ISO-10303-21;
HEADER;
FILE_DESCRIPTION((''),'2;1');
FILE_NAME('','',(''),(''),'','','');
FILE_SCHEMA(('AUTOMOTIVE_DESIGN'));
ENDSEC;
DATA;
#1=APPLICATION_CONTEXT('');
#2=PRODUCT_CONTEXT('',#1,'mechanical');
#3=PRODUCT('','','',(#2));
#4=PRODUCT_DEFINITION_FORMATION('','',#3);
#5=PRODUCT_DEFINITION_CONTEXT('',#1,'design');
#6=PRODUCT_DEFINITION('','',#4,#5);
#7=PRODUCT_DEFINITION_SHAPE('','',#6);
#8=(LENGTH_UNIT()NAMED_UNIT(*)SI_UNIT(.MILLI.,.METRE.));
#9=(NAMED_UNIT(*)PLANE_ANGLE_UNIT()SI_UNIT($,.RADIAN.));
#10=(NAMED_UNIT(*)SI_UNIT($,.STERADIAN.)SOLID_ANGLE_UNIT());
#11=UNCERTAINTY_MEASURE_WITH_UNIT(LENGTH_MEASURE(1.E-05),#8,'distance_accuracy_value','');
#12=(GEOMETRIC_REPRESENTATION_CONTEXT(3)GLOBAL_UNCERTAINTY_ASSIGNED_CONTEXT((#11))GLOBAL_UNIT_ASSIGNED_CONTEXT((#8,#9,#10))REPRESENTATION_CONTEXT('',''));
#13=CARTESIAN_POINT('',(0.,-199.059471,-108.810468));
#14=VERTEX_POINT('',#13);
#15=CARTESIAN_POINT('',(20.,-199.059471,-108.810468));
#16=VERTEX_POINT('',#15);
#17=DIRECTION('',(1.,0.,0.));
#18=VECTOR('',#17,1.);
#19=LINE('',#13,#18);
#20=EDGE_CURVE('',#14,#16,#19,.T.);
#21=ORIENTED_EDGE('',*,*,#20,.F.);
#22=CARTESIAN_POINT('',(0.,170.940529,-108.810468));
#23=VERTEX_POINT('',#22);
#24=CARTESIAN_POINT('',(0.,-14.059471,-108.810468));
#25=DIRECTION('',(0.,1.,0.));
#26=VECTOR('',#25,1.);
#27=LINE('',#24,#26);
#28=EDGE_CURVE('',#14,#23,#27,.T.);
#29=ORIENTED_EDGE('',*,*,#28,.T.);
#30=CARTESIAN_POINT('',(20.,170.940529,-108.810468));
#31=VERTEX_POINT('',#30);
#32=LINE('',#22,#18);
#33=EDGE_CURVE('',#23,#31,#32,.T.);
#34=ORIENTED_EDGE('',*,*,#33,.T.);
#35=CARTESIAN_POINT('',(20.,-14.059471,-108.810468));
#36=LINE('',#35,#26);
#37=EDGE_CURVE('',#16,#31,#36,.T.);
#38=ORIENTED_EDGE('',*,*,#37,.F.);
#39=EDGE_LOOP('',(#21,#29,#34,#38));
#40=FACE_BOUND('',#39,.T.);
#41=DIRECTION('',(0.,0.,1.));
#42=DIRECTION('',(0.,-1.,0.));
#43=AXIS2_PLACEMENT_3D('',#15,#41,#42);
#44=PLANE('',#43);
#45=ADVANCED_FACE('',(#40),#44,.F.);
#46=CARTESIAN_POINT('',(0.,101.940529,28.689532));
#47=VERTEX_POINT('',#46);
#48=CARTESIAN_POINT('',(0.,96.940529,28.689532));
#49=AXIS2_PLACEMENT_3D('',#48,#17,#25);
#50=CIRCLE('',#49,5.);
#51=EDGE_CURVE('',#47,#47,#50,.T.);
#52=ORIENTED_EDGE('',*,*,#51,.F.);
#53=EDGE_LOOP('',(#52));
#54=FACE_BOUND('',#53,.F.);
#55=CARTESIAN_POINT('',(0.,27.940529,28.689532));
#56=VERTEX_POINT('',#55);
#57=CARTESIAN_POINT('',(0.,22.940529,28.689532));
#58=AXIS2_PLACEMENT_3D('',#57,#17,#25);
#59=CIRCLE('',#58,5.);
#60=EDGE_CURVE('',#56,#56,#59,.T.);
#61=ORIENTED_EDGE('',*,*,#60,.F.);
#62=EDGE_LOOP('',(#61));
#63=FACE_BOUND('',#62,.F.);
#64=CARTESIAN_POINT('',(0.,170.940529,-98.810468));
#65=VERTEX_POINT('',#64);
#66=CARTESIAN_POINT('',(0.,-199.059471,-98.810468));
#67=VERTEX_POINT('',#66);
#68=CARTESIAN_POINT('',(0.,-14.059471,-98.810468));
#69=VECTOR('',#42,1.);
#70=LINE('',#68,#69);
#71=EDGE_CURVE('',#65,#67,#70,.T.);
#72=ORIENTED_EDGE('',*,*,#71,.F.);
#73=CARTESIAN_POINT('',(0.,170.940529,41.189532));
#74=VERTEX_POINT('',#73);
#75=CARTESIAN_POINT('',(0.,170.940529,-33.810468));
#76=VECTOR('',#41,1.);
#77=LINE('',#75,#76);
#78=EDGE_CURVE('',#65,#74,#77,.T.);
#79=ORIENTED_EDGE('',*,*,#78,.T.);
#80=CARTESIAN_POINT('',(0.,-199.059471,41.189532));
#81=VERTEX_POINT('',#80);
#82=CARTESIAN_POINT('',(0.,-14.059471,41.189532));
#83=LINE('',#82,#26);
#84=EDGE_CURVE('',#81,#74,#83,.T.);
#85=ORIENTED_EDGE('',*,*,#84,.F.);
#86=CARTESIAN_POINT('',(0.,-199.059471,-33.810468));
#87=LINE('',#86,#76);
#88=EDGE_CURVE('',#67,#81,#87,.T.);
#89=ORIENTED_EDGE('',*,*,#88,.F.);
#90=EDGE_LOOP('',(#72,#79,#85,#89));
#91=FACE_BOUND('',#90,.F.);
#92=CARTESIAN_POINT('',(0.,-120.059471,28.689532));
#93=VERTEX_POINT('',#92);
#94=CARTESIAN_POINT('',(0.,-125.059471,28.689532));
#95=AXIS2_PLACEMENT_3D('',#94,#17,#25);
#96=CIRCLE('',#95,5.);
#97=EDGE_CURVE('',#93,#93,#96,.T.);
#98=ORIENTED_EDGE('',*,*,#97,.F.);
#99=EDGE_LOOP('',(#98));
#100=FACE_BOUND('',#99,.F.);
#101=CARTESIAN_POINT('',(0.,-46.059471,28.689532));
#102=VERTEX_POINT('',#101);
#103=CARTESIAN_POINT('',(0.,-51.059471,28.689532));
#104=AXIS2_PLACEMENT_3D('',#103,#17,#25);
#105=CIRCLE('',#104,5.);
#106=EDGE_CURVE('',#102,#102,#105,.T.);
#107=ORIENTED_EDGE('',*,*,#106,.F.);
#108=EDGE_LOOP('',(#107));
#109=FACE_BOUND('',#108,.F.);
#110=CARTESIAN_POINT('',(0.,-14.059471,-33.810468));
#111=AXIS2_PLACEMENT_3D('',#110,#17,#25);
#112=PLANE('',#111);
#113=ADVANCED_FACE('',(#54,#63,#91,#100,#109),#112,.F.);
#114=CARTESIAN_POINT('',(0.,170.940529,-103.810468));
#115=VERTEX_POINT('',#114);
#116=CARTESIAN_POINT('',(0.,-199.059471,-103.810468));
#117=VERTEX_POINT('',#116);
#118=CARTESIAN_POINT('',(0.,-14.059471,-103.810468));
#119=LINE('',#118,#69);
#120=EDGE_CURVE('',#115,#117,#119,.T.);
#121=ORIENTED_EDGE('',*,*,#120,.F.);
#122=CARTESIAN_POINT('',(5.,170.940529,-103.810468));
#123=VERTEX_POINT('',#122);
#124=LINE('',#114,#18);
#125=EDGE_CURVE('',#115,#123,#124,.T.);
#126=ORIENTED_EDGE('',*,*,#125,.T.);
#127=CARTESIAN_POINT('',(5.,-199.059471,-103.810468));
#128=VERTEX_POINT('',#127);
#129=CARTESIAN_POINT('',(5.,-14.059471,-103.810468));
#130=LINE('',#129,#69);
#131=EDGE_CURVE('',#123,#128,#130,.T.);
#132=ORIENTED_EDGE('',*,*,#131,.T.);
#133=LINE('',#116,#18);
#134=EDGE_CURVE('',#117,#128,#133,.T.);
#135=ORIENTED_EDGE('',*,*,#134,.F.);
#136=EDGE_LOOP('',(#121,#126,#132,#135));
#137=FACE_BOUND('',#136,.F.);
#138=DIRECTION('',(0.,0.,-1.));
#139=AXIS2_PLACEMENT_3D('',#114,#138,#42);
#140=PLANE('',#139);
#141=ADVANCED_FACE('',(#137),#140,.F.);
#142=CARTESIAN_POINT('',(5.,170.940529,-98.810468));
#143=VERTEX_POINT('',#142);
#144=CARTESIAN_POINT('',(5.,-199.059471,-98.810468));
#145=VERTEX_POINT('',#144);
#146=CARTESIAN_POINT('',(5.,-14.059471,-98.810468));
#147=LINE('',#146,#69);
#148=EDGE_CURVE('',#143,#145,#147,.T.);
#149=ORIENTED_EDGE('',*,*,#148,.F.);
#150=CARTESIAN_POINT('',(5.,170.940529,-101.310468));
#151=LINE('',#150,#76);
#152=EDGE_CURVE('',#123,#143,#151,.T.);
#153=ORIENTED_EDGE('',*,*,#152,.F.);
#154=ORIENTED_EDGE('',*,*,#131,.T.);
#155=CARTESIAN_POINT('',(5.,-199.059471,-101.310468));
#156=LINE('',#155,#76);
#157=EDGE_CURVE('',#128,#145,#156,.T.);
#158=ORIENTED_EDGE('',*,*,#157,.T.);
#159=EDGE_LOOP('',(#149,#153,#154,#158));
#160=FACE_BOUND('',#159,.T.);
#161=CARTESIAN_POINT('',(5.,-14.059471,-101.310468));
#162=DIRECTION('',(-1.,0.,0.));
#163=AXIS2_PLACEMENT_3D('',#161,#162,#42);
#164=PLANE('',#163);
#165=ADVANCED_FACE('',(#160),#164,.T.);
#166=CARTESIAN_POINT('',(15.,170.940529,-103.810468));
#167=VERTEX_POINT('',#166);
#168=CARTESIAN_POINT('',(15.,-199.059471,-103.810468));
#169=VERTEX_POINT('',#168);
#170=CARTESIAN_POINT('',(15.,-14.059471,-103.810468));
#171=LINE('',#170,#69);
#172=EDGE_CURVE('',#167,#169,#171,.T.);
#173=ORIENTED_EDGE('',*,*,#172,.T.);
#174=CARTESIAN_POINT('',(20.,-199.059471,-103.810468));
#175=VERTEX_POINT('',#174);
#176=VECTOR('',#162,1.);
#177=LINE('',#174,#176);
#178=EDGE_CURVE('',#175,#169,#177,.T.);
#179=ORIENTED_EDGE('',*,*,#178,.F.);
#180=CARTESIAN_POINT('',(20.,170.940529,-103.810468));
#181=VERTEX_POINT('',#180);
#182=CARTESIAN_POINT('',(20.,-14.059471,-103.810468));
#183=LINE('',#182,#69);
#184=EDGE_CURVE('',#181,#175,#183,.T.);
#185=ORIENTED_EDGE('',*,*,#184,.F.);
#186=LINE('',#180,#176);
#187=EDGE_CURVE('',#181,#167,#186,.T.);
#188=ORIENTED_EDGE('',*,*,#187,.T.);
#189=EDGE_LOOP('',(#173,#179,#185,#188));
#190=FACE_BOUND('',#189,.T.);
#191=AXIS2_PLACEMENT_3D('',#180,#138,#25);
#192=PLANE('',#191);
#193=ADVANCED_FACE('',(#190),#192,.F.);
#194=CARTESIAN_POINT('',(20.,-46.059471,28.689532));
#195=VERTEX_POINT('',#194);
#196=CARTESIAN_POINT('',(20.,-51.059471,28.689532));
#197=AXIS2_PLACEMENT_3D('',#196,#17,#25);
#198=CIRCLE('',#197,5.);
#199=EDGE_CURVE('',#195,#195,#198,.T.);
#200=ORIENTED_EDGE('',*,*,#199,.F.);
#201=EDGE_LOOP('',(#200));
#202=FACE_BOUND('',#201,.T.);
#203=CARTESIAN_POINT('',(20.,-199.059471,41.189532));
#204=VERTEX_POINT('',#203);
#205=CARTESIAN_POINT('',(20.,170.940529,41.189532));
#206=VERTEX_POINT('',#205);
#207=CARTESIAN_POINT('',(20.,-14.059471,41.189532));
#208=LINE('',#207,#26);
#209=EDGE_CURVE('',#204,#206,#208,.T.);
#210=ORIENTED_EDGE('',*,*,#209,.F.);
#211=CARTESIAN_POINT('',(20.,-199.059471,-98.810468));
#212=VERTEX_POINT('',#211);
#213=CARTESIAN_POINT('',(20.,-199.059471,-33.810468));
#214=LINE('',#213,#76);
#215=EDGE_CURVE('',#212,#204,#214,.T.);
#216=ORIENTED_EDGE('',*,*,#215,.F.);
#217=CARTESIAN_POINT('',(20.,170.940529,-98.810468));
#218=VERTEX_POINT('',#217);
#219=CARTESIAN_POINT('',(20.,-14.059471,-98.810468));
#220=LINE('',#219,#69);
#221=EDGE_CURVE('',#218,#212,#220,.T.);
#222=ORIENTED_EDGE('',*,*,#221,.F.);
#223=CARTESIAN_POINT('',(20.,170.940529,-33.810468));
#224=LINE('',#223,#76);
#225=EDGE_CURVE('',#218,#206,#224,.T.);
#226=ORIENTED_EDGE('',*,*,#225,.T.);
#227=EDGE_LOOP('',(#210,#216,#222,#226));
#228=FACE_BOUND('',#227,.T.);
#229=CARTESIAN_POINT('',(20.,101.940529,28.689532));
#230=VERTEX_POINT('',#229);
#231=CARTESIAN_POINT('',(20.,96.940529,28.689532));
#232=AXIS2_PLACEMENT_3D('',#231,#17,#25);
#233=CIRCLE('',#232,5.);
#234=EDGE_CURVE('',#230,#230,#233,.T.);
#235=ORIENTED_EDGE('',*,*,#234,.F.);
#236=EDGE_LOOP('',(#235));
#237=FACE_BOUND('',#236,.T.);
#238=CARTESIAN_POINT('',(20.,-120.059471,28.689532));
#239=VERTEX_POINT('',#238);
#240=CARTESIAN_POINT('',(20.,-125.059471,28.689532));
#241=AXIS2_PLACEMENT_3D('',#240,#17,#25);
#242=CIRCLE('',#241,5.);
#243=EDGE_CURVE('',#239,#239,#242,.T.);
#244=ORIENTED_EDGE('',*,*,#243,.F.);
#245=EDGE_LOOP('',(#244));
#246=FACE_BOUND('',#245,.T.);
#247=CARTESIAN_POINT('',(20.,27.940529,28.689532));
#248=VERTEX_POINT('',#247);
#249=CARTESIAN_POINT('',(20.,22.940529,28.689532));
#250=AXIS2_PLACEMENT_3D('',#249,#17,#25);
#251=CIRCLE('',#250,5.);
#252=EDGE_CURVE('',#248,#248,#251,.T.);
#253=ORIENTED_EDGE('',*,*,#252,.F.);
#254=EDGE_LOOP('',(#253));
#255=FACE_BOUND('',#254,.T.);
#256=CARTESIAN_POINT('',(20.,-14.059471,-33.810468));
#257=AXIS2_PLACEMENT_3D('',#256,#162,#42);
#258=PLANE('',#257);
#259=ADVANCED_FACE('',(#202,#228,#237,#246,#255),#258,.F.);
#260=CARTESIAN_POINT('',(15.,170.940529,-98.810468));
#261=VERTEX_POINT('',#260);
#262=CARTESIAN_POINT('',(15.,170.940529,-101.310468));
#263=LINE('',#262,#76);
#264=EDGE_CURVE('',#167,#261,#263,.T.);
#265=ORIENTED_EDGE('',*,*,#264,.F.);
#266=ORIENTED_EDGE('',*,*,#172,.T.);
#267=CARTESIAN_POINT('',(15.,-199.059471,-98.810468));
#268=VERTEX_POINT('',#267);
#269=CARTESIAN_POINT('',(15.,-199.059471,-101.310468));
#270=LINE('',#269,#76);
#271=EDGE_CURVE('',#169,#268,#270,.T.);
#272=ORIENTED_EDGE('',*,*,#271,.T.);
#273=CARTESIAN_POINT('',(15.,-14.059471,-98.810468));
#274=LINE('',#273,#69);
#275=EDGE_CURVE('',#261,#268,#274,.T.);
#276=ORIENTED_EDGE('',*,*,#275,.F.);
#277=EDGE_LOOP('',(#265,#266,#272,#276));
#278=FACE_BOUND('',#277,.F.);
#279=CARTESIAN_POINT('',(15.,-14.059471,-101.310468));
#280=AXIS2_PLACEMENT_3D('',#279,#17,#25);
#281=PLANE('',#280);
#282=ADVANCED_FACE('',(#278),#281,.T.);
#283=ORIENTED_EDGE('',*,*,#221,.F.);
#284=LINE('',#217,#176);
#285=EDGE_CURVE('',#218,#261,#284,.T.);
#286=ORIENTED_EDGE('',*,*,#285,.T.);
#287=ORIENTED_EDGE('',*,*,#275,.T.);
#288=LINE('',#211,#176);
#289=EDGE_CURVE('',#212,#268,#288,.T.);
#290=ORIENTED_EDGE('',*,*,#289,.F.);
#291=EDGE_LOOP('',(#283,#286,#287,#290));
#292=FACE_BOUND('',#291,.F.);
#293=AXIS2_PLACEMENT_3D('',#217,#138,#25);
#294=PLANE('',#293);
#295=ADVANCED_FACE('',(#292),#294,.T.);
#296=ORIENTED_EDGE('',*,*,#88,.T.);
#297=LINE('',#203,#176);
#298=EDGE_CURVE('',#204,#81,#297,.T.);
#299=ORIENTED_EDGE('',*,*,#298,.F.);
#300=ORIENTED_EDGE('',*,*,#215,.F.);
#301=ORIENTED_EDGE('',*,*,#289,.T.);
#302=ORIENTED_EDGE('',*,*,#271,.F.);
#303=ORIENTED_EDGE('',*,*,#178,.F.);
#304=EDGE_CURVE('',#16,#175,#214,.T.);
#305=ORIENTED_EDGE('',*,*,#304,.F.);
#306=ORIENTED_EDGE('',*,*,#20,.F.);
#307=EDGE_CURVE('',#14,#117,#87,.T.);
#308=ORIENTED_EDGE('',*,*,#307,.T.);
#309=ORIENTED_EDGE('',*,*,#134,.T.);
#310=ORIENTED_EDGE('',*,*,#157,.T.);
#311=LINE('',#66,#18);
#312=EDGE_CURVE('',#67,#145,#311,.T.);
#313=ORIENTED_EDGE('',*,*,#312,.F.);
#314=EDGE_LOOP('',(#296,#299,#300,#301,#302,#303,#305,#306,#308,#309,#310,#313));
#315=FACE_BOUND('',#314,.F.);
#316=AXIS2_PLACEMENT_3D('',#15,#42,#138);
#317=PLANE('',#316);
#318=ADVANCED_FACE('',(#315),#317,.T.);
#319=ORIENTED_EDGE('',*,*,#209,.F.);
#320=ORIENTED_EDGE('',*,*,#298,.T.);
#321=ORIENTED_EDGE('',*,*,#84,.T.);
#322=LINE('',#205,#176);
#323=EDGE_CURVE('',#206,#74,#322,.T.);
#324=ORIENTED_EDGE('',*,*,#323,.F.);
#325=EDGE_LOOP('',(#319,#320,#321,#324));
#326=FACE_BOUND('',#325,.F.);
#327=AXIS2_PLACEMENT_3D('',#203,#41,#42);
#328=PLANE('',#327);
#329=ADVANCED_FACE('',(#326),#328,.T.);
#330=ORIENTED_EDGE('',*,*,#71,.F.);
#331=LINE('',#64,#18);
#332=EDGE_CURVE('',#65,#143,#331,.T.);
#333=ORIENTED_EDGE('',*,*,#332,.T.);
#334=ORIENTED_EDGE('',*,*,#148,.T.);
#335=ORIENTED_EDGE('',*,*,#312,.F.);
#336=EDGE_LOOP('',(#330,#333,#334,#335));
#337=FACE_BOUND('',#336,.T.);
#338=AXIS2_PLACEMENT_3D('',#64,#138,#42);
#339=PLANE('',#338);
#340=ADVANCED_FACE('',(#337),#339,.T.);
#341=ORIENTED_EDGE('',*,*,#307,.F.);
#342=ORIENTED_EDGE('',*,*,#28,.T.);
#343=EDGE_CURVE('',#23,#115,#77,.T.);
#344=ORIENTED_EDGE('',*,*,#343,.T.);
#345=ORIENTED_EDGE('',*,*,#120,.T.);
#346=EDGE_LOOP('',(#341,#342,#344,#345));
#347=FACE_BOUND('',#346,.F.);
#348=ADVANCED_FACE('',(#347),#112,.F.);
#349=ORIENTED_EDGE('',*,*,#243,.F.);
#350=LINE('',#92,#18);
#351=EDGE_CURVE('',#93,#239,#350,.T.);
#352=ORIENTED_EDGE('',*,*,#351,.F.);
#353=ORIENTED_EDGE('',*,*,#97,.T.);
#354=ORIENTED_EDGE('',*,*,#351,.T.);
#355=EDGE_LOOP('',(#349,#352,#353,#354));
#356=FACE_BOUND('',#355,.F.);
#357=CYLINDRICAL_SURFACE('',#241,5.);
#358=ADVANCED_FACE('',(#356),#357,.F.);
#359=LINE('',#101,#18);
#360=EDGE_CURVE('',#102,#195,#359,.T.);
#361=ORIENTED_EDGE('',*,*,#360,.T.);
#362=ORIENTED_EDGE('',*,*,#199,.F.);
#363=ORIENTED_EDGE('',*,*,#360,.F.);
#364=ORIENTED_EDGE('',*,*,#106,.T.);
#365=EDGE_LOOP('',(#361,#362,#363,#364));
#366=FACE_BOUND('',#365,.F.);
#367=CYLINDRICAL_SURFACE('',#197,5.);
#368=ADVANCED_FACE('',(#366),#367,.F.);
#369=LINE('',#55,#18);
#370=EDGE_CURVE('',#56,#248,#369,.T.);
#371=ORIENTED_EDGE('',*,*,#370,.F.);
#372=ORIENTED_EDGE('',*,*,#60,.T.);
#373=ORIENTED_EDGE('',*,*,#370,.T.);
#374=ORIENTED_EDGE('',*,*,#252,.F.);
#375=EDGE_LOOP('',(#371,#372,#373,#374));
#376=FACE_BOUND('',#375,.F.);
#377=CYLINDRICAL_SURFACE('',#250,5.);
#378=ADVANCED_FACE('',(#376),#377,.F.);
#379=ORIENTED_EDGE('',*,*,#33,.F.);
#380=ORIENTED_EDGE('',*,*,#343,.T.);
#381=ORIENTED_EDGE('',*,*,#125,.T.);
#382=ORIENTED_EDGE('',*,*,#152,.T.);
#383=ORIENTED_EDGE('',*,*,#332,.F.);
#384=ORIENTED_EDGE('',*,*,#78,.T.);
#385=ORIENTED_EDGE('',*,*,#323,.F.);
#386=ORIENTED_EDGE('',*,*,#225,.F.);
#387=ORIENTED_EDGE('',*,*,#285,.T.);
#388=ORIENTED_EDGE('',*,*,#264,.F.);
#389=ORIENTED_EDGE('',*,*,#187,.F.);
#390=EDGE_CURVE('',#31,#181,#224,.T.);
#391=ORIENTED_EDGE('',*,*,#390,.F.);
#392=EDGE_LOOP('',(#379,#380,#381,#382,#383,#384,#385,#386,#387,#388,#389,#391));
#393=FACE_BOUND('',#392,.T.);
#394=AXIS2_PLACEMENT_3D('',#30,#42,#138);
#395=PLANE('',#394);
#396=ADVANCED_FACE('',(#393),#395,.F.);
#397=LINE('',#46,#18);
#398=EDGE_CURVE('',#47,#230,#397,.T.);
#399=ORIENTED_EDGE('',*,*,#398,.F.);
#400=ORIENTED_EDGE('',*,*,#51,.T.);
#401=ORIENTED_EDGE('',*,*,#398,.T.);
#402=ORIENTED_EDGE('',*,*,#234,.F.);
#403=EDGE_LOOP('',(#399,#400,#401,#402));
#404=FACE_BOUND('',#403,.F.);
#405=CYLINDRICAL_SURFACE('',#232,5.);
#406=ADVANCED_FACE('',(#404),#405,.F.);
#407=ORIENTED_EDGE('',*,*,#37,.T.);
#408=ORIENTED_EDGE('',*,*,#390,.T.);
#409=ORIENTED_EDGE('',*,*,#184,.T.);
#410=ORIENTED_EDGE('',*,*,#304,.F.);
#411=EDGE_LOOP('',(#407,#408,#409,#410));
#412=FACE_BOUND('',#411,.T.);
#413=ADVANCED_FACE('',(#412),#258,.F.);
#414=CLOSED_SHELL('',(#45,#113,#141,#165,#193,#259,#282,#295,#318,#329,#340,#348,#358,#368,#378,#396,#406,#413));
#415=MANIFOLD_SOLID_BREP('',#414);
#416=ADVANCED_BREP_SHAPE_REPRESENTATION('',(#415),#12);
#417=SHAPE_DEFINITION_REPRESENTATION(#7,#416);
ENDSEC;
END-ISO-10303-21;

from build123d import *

# Parameters (mm, degrees)
F0_W     = 370
F0_H     = 150
F0_R     = 5
F1_DEPTH = 10
F2_W     = 370
F2_H     = 5
F3_DEPTH = 5


with BuildPart() as f1:
    # F0 (on Right) → F1 (new body)
    with BuildSketch(Plane.YZ):
        with Locations((-14.059471, -33.810468)):
            Rectangle(F0_W, F0_H)
        with Locations((-125.059471, 28.689532)):
            Circle(F0_R, mode=Mode.SUBTRACT)
        with Locations((-51.059471, 28.689532)):
            Circle(F0_R, mode=Mode.SUBTRACT)
        with Locations((22.940529, 28.689532)):
            Circle(F0_R, mode=Mode.SUBTRACT)
        with Locations((96.940529, 28.689532)):
            Circle(F0_R, mode=Mode.SUBTRACT)
    extrude(amount=F1_DEPTH)

    # F2 (on face) → F3 (cut)
    with BuildSketch(Plane(origin=(0, 0, 0), x_dir=(0, -1, 0), z_dir=(-1, 0, 0))):
        with Locations((14.059471, -101.310468)):
            Rectangle(F2_W, F2_H)
    extrude(amount=-F3_DEPTH, mode=Mode.SUBTRACT)

    # F4: F1 across face


with BuildPart() as f1_1:
    add(f1.part)
    add(f1.part.mirror(Plane(origin=(10, -14.059471, -34.166265), x_dir=(0, 1, 0), z_dir=(1, 0, 0))))


solid = f1_1.part
